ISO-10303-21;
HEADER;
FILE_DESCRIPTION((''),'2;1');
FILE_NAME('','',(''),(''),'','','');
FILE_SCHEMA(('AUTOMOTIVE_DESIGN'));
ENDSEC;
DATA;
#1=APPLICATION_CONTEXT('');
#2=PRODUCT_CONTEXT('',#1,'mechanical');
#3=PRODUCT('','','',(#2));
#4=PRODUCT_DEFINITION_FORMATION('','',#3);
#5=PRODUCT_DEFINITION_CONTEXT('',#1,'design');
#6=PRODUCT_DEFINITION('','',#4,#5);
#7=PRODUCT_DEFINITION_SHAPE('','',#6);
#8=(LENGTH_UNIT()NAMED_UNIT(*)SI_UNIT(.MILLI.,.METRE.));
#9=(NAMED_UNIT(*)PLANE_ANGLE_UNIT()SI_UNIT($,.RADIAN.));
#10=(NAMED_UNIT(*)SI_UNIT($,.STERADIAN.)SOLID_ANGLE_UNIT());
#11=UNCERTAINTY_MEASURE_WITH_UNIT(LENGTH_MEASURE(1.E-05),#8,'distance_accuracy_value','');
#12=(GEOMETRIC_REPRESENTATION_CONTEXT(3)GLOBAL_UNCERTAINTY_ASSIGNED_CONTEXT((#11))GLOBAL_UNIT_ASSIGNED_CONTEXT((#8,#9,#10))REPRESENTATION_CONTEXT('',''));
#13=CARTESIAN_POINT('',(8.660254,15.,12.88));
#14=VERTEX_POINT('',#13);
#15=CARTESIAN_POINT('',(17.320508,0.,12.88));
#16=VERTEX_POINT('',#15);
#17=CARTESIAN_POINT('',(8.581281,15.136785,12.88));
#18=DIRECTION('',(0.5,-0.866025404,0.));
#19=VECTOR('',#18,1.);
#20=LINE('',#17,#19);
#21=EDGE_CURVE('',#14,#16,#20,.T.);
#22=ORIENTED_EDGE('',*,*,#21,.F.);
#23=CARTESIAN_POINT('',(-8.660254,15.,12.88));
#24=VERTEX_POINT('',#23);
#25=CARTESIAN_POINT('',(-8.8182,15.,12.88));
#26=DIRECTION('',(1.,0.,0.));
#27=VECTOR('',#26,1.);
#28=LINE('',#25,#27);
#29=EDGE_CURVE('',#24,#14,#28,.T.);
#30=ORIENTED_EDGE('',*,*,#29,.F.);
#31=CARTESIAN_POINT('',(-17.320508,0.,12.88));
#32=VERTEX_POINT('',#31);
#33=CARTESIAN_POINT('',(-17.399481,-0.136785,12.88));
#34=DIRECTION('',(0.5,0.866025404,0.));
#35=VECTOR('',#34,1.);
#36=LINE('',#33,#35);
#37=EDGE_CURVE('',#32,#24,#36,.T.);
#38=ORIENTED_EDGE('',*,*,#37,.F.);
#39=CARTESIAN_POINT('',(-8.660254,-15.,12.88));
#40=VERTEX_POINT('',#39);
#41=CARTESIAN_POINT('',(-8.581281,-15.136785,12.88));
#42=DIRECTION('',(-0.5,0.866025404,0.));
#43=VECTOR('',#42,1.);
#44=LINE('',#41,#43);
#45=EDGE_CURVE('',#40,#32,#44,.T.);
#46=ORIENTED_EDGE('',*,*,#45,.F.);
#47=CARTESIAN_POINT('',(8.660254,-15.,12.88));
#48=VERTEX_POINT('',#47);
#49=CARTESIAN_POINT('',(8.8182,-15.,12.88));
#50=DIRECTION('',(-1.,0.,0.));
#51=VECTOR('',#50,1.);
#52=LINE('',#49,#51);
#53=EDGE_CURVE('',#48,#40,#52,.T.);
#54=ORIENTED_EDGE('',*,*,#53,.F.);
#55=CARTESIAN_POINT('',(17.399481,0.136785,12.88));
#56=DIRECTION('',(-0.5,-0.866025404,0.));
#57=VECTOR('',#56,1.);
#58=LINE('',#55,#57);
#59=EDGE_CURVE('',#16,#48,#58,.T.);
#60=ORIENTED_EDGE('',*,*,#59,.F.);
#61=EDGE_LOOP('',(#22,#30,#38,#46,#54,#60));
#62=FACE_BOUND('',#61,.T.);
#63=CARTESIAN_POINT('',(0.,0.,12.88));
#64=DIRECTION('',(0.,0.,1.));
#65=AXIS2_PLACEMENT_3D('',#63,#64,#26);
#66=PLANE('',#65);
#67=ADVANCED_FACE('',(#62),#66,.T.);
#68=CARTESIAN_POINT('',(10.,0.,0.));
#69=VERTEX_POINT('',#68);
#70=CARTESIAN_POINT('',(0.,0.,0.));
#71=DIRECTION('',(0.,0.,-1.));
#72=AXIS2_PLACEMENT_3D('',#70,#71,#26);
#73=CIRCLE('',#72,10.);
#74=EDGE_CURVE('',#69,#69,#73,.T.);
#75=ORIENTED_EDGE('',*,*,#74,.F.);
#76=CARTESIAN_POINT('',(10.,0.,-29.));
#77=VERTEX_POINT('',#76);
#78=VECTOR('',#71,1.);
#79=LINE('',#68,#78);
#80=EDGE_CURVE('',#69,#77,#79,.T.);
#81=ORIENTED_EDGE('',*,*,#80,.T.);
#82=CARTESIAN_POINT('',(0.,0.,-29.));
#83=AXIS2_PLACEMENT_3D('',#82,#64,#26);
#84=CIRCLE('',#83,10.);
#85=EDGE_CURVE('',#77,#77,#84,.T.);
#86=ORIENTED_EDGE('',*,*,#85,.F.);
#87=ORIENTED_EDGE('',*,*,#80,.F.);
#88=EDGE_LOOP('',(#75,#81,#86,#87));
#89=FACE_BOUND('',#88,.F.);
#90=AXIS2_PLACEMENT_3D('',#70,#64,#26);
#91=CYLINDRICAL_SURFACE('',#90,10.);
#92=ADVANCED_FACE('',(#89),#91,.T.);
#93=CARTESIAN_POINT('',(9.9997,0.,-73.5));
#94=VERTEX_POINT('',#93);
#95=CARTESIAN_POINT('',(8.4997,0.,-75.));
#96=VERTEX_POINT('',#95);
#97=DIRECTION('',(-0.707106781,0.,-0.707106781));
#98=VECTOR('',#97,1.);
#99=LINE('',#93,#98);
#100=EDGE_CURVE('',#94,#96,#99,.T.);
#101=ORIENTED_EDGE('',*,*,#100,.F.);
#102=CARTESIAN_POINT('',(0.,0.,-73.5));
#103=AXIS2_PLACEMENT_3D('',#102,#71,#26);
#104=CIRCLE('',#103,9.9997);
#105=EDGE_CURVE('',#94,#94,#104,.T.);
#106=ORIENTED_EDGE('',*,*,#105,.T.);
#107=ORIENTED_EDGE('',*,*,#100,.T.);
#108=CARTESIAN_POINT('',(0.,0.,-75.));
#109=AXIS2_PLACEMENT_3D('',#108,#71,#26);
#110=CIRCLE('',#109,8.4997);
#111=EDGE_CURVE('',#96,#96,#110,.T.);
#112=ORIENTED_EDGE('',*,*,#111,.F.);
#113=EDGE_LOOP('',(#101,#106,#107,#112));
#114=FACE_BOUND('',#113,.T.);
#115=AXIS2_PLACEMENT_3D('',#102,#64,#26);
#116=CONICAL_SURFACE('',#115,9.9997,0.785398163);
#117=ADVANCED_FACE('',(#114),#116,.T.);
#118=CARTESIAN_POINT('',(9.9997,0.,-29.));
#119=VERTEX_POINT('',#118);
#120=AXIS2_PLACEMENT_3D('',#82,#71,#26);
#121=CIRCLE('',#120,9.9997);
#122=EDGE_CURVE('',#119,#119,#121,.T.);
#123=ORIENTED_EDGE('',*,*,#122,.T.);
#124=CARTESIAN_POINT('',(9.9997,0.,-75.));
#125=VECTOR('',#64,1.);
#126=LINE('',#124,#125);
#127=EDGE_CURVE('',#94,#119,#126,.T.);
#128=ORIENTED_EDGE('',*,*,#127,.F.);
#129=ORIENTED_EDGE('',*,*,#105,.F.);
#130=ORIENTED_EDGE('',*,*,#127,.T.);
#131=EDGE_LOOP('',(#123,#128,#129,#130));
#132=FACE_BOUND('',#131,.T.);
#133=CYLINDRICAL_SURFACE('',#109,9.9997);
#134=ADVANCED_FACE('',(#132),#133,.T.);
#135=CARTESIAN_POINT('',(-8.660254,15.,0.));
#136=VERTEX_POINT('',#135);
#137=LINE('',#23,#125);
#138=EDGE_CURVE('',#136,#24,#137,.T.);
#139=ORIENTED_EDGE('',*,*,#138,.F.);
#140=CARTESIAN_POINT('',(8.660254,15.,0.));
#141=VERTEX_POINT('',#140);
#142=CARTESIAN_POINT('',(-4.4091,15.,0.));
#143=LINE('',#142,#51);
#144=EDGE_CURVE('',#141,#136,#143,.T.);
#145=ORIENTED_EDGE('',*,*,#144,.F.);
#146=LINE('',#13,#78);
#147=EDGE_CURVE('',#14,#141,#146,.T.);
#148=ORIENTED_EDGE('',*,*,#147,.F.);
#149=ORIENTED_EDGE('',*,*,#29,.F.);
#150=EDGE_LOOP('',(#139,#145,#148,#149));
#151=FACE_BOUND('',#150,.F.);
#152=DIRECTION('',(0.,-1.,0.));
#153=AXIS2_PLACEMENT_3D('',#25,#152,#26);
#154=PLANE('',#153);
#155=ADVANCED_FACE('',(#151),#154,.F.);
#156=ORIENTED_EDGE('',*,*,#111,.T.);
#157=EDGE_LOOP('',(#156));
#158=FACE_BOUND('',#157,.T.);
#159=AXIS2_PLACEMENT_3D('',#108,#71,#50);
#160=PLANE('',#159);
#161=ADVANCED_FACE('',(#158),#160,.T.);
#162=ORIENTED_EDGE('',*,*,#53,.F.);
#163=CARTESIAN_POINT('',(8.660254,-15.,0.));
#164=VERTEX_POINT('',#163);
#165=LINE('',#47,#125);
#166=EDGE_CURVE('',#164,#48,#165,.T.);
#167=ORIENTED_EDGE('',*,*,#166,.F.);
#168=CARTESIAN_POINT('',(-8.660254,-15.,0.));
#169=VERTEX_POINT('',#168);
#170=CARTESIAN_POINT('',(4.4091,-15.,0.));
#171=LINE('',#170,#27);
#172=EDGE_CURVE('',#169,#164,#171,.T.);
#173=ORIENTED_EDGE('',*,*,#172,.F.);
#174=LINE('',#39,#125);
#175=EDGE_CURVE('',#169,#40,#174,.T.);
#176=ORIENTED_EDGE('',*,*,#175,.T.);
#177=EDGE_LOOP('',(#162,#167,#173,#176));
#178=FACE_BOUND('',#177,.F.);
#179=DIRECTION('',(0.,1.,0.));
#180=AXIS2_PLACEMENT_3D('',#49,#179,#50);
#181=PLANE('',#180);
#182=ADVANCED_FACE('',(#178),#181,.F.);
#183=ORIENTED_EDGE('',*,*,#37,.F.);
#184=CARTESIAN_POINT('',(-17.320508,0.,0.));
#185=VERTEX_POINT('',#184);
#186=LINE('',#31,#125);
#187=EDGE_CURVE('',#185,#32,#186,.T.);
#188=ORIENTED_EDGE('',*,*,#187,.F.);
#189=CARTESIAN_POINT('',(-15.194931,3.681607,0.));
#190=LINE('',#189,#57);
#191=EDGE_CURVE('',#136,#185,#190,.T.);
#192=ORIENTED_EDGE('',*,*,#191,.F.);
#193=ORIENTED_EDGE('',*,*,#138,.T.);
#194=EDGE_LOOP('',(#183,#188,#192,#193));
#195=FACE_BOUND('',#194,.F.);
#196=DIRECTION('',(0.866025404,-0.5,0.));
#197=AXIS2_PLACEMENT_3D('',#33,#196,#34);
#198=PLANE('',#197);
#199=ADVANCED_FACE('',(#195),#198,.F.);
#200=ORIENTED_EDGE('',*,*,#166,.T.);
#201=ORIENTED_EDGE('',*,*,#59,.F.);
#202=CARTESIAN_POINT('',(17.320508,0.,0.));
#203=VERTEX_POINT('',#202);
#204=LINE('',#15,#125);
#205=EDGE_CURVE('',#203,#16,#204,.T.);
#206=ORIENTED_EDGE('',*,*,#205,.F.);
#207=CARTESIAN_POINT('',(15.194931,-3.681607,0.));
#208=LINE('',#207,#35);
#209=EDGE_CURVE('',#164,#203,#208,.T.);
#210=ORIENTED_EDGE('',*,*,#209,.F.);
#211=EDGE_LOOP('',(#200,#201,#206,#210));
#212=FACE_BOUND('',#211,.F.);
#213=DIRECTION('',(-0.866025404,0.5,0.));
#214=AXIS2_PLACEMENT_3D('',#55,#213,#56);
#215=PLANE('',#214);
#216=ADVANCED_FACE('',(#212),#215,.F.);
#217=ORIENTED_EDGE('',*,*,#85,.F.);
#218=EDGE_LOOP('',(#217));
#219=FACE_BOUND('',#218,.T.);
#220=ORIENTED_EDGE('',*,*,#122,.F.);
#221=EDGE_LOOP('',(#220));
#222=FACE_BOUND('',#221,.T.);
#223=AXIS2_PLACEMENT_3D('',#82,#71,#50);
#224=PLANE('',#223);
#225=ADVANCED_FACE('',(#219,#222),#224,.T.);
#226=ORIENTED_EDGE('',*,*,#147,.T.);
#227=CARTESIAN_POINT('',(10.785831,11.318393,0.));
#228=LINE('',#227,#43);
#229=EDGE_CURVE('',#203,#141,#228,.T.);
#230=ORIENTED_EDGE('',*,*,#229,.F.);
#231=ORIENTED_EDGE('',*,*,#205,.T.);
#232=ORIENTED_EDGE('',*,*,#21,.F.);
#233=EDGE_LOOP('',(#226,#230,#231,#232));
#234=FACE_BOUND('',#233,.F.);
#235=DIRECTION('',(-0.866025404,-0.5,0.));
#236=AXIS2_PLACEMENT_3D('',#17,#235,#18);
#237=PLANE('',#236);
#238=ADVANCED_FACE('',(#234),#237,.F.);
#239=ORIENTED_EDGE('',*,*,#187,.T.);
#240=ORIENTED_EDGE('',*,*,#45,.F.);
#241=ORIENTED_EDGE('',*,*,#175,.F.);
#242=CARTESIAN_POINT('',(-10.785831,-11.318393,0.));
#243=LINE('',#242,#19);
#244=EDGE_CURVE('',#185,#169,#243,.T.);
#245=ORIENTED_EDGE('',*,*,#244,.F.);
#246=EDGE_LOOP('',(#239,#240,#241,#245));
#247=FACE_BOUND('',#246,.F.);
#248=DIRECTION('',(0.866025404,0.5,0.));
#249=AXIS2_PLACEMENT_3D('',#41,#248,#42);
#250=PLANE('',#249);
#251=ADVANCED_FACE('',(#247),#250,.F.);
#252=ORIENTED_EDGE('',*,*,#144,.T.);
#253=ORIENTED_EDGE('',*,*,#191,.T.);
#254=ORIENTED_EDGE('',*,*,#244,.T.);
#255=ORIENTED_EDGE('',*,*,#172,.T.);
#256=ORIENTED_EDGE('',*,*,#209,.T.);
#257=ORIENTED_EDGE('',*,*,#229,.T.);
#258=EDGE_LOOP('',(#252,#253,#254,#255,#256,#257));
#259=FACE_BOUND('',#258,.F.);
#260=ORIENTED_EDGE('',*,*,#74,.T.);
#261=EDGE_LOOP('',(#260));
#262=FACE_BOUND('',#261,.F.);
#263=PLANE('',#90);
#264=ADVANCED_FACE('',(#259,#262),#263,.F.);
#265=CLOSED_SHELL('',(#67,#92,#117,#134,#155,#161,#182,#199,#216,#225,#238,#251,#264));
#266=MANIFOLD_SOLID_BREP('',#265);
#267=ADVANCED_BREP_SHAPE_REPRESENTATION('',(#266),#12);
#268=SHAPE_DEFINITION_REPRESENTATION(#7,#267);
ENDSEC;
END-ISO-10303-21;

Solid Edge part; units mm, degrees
sketch "Sketch1" plane through (0, 0, 0) normal (0, 0, 1) x (1, 0, 0)
  circle A0 centre (0, 0) radius 17.4
  dimension "D1" = 34.8
extrude "Protrusion1" add sketch "Sketch1" along normal blind 12.88
sketch "Sketch2" plane through (0, 0, 0) normal (0, 0, -1) x (1, 0, 0)
  circle A0 centre (0, 0) radius 10
extrude "Protrusion2" add sketch "Sketch2" along normal blind 75
sketch "Sketch3" plane through (0, 0, -75) normal (0, 0, -1) x (1, 0, 0)
  circle A0 centre (0, 0) radius 9.9997
extrude "Cutout1" cut sketch "Sketch3" against normal blind 46 flip side to cut
chamfer "Chamfer_1" distance 1.5 angle 45 1 edges at (-9.9997, 0, -75)
sketch "Sketch4" plane through (0, 0, 12.88) normal (0, 0, 1) x (1, 0, 0)
  line L0 (-8.8182, 15) -> (8.8182, 15)
  dimension "D1" = 30
extrude "Cutout2" cut sketch "Sketch4" against normal up to next material side at (0, 15.05, 12.88)
pattern_circular "Pattern1" count 6 over 360 about axis through (0, 0, 12.88) along (0, 0, 1) of "Cutout2"
properties part number "185588"
